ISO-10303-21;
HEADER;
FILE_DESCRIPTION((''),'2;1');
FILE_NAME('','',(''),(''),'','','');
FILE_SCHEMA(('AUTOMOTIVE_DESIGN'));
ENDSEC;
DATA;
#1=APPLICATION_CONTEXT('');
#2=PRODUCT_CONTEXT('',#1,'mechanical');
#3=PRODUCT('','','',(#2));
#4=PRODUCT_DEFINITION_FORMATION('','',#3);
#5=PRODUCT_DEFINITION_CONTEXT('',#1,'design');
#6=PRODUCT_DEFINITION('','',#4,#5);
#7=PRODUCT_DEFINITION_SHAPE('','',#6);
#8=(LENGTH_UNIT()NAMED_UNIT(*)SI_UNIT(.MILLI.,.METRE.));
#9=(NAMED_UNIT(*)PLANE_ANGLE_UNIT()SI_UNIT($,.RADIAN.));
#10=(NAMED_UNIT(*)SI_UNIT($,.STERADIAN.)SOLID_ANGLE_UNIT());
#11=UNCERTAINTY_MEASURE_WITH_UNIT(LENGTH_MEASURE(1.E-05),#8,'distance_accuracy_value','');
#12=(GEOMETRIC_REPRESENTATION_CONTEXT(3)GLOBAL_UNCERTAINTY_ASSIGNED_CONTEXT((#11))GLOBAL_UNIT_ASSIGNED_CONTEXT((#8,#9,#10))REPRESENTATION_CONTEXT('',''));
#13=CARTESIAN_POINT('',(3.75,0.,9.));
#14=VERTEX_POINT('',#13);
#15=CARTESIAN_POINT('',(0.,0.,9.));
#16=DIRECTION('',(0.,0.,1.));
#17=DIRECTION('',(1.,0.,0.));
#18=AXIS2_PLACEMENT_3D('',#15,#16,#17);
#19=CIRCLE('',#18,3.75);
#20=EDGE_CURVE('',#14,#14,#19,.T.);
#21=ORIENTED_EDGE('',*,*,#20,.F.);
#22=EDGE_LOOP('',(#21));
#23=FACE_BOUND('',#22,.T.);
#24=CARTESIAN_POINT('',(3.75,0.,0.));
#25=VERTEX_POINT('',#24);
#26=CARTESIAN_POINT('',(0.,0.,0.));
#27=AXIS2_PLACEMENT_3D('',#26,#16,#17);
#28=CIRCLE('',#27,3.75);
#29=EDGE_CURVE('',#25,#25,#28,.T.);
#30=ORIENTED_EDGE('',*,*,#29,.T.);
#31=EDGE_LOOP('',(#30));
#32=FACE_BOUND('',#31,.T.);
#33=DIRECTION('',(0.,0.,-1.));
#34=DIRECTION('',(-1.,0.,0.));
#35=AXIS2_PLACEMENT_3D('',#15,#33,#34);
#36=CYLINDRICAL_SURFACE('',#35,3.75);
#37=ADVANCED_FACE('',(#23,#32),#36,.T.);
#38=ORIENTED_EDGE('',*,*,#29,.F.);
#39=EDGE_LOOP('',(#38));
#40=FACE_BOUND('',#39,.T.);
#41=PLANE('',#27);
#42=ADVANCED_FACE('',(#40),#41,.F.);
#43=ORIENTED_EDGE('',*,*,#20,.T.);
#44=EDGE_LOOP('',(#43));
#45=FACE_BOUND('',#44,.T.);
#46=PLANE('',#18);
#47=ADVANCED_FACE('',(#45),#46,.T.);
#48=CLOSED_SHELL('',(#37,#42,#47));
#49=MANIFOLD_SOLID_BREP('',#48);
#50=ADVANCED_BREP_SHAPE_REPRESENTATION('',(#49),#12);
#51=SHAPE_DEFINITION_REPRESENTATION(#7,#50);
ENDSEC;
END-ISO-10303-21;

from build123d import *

# Parameters (mm, degrees)
SKETCH_1_R      = 3.75
EXTRUDE_1_DEPTH = 9


with BuildPart() as part:
    # Эскиз1 → Вытянуть1 (new body)
    with BuildSketch(Plane.XY):
        Circle(SKETCH_1_R)
    extrude(amount=EXTRUDE_1_DEPTH)


solid = part.part
